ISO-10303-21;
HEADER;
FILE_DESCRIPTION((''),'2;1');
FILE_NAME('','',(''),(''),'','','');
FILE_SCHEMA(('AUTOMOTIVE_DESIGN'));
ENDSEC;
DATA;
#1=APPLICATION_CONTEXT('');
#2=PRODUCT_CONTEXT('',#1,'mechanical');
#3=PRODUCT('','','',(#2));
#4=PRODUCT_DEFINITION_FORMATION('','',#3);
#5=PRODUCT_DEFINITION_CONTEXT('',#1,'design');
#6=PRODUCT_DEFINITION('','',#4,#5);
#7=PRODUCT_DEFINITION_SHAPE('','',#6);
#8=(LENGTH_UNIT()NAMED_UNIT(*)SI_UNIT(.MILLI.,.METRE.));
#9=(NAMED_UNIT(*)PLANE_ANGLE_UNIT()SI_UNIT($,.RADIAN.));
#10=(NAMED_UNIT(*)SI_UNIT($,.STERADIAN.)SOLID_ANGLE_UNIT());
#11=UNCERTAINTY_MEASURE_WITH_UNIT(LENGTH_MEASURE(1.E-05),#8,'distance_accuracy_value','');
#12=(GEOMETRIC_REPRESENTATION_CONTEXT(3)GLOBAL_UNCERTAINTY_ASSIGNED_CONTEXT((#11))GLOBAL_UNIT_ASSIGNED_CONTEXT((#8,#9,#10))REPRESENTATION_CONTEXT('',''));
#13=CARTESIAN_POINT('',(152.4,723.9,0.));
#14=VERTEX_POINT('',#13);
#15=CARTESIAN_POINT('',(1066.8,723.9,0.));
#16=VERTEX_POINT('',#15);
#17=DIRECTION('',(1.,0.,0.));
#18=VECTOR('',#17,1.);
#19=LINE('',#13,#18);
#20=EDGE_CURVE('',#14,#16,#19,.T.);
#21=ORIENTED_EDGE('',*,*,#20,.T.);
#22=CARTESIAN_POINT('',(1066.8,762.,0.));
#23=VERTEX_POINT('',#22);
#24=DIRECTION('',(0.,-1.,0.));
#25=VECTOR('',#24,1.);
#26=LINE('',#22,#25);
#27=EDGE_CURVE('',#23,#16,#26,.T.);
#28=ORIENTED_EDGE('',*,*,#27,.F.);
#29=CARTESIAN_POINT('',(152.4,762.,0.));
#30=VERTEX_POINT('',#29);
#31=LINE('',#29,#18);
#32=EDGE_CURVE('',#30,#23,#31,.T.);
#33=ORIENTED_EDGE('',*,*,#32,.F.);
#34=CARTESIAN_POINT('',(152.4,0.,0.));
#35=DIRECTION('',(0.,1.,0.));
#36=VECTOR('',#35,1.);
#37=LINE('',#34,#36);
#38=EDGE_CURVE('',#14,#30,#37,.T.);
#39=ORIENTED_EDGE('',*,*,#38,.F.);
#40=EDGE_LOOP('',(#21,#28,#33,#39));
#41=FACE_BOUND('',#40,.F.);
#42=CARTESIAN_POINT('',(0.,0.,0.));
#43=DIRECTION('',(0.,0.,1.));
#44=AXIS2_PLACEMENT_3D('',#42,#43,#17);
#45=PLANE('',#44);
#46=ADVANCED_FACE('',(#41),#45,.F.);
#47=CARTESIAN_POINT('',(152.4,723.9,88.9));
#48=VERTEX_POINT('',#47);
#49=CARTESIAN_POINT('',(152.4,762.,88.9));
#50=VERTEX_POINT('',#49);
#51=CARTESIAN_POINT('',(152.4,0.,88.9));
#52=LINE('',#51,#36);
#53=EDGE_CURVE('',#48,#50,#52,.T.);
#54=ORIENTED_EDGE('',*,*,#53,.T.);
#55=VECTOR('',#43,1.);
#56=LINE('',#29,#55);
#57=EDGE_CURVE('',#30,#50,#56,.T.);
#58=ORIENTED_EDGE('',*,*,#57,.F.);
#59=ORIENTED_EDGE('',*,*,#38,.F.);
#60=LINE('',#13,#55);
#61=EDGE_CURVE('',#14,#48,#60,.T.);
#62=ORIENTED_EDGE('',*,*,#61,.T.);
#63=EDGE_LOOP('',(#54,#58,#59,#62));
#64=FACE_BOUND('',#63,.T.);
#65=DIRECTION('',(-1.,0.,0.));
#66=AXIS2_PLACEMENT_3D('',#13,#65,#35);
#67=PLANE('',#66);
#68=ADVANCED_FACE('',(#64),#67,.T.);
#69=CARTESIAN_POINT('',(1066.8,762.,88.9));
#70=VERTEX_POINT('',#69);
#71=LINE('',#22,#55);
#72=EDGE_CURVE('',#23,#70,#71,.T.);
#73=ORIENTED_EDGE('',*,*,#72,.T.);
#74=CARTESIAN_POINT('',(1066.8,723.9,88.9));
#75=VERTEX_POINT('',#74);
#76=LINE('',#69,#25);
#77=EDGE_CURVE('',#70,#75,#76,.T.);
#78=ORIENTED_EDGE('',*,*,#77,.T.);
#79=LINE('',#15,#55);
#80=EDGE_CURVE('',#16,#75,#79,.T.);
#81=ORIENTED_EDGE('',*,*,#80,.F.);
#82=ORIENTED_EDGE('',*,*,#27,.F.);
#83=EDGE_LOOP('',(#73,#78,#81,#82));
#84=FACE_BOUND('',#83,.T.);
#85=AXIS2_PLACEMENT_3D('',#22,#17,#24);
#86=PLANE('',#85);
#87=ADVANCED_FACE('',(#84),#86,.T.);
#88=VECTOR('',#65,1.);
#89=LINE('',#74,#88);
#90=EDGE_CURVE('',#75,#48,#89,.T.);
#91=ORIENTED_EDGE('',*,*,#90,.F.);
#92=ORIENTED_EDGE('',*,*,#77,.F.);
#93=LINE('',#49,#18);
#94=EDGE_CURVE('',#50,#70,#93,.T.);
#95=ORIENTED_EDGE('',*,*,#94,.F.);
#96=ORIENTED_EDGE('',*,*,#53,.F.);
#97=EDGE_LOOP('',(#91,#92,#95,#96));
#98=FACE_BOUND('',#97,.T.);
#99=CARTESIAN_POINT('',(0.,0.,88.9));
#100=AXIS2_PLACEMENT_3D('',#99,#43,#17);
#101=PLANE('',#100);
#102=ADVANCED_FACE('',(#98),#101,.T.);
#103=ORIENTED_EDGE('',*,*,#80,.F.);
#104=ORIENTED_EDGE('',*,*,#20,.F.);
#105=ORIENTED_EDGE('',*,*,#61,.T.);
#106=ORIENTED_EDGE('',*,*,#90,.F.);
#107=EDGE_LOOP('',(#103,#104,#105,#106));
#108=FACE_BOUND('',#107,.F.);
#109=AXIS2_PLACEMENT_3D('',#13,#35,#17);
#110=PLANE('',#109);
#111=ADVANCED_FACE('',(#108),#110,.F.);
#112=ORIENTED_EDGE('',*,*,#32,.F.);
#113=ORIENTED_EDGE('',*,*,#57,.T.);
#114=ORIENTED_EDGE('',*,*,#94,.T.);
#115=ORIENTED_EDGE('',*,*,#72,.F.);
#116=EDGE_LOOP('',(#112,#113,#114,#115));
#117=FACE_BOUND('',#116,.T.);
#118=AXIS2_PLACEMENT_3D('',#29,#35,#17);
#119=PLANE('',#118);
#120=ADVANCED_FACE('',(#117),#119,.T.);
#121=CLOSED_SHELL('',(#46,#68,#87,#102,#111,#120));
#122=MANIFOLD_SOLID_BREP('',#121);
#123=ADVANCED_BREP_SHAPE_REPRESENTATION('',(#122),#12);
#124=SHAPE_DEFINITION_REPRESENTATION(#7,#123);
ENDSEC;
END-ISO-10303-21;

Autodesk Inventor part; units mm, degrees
ref_plane "YZ Plane" through (0, 0, 0) normal (1, 0, 0) x (0, 1, 0)
ref_plane "XZ Plane" through (0, 0, 0) normal (0, 1, 0) x (-1, 0, 0)
ref_plane "XY Plane" through (0, 0, 0) normal (0, 0, 1) x (1, 0, 0)
sketch "Sketch1" plane through (0, 0, 0) normal (0, 0, 1) x (1, 0, 0)
  line L0 (0, 0) -> (1219.2, 0)
  line L1 (0, 0) -> (152.4, 0)
  line L2 (152.4, 0) -> (152.4, 762)
  line L3 (152.4, 762) -> (1066.8, 762)
  line L4 (1066.8, 762) -> (1066.8, 0)
  line L5 (152.4, 762) -> (152.4, 723.9)
  line L6 (152.4, 723.9) -> (1066.8, 723.9)
  line L7 (152.4, 0) -> (152.4, 38.1)
  line L8 (152.4, 38.1) -> (1066.8, 38.1)
  line L9 (1066.8, 38.1) -> (1219.2, 38.1)
  line L10 (1219.2, 38.1) -> (1219.2, 0)
  line L11 (152.4, 38.1) -> (0, 38.1)
  line L12 (0, 38.1) -> (0, 0)
  line L13 (0, 38.1) -> (152.4, 762)
  line L14 (1219.2, 38.1) -> (1066.8, 762)
  line L15 (0, 38.1) -> (37.2827, 30.251)
  line L16 (152.4, 762) -> (189.6827, 754.151)
  line L17 (189.6827, 754.151) -> (37.2827, 30.251)
  dimension "d0" = 1219.2
  dimension "d1" = 152.4
  dimension "d2" = 762
  dimension "d3" = 914.4
  dimension "d4" = 38.1
  dimension "d5" = 38.1
  dimension "d6" = 38.1
  dimension "d7" = 38.1
extrude "Extrusion1" add sketch "Sketch1" along normal blind 88.9 contours L16 L17 L6 L2 | L3 L4 L6 L17 L16
properties part number "2x4x36"
